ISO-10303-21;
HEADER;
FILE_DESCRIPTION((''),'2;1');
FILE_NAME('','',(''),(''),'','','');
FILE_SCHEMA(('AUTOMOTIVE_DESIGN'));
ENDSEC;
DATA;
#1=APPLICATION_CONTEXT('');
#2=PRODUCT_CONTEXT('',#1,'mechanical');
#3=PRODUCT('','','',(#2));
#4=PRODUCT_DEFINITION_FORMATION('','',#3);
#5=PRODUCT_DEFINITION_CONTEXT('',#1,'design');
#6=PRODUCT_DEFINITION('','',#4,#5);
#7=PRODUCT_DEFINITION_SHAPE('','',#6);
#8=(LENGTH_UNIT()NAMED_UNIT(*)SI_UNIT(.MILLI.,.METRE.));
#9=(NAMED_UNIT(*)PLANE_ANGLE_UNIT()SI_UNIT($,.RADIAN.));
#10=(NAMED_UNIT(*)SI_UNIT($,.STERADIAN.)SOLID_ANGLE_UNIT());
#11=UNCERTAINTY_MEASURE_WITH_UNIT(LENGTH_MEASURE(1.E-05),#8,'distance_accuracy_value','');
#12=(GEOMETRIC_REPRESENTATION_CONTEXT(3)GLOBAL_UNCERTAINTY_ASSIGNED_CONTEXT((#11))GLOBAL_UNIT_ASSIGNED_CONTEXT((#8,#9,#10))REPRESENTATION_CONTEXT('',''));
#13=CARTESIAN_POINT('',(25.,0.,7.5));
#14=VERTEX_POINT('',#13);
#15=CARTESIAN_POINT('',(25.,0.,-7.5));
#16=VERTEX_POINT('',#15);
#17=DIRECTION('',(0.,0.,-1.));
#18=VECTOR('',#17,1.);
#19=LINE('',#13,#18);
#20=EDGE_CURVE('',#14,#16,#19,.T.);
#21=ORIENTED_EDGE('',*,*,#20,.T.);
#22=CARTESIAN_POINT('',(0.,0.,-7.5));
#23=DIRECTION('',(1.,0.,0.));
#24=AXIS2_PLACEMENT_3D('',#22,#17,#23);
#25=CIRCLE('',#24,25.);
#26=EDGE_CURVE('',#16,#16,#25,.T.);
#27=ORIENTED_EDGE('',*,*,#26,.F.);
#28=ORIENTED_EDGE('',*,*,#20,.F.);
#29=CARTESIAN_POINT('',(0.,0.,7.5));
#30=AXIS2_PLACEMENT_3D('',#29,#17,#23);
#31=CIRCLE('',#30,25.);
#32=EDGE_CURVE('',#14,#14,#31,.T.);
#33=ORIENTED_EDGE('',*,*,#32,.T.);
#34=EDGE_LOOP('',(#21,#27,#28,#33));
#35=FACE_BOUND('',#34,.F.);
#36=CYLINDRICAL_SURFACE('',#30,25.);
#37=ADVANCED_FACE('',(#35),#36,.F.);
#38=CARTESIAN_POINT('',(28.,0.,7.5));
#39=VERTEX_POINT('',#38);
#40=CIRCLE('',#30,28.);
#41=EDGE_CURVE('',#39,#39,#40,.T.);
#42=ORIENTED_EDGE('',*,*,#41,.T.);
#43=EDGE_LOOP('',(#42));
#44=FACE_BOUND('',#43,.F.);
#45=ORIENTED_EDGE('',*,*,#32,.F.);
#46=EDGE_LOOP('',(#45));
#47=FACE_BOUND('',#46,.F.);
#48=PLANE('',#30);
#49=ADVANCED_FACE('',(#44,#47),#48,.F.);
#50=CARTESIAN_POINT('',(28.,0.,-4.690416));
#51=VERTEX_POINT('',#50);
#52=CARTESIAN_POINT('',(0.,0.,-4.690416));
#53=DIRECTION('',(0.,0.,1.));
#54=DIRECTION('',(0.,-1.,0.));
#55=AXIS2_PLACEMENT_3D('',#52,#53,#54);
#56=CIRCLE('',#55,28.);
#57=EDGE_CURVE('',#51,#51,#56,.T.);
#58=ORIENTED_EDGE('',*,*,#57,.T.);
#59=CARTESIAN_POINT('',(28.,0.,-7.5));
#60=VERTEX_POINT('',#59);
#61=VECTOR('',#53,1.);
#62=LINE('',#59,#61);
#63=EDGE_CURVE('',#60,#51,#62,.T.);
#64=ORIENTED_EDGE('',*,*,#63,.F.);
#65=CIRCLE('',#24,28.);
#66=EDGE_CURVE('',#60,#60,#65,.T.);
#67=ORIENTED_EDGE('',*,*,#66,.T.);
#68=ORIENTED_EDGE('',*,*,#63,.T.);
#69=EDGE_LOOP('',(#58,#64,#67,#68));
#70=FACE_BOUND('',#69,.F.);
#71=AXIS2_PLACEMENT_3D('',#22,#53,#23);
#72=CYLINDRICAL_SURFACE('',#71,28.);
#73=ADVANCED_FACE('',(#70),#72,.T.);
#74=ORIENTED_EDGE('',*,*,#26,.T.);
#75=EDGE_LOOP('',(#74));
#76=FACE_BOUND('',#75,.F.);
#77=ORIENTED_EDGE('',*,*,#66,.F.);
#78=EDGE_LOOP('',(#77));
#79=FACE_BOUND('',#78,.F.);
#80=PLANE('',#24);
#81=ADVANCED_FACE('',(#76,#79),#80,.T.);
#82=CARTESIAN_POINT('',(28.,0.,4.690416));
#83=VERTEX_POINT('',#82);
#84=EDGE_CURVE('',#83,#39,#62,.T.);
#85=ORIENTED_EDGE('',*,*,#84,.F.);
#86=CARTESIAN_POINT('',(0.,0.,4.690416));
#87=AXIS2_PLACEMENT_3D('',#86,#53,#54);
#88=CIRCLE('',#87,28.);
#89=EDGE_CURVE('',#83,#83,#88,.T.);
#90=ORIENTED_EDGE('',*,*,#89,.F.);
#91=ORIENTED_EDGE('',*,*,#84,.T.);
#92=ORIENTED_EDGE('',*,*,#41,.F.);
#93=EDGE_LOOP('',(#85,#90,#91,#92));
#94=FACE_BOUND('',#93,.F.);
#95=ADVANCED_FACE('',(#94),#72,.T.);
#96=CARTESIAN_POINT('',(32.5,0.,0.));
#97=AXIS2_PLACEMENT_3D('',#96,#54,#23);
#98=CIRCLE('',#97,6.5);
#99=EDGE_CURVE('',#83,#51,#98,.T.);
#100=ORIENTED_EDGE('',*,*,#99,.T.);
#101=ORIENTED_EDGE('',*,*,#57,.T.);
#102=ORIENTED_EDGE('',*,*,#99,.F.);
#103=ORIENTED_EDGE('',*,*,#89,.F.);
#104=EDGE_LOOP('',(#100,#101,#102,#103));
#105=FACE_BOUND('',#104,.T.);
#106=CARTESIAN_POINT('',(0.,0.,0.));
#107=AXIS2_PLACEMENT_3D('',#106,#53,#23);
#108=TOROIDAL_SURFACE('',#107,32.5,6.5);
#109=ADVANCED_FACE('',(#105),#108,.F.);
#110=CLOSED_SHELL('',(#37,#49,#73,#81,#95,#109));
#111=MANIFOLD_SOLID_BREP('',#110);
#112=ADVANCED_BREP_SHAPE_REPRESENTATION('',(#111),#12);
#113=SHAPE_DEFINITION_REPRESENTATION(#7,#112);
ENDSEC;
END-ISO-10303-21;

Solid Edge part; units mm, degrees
sketch "Sketch1" plane through (0, 0, 0) normal (0, -1, 0) x (1, 0, 0)
  line L0 (25, 7.5) -> (25, -7.5)
  line L1 (25, -7.5) -> (28, -7.5)
  line L2 (28, -7.5) -> (28, 7.5)
  line L3 (28, 7.5) -> (25, 7.5)
  dimension "D1" = 15
  dimension "D2" = 3
revolve "RevolvedProtrusion1" add sketch "Sketch1" angle 360 about axis through (0, 0, 54) along (0, 0, -1)
sketch "Sketch2" plane through (0, 0, 0) normal (0, -1, 0) x (1, 0, 0)
  circle A0 centre (32.5, 0) radius 6.5
  dimension "D1" = 13
revolve "RevolvedCutout1" cut sketch "Sketch2" angle 360 about axis through (0, 0, 54) along (0, 0, -1)
properties material "Polyethylene, low density"
